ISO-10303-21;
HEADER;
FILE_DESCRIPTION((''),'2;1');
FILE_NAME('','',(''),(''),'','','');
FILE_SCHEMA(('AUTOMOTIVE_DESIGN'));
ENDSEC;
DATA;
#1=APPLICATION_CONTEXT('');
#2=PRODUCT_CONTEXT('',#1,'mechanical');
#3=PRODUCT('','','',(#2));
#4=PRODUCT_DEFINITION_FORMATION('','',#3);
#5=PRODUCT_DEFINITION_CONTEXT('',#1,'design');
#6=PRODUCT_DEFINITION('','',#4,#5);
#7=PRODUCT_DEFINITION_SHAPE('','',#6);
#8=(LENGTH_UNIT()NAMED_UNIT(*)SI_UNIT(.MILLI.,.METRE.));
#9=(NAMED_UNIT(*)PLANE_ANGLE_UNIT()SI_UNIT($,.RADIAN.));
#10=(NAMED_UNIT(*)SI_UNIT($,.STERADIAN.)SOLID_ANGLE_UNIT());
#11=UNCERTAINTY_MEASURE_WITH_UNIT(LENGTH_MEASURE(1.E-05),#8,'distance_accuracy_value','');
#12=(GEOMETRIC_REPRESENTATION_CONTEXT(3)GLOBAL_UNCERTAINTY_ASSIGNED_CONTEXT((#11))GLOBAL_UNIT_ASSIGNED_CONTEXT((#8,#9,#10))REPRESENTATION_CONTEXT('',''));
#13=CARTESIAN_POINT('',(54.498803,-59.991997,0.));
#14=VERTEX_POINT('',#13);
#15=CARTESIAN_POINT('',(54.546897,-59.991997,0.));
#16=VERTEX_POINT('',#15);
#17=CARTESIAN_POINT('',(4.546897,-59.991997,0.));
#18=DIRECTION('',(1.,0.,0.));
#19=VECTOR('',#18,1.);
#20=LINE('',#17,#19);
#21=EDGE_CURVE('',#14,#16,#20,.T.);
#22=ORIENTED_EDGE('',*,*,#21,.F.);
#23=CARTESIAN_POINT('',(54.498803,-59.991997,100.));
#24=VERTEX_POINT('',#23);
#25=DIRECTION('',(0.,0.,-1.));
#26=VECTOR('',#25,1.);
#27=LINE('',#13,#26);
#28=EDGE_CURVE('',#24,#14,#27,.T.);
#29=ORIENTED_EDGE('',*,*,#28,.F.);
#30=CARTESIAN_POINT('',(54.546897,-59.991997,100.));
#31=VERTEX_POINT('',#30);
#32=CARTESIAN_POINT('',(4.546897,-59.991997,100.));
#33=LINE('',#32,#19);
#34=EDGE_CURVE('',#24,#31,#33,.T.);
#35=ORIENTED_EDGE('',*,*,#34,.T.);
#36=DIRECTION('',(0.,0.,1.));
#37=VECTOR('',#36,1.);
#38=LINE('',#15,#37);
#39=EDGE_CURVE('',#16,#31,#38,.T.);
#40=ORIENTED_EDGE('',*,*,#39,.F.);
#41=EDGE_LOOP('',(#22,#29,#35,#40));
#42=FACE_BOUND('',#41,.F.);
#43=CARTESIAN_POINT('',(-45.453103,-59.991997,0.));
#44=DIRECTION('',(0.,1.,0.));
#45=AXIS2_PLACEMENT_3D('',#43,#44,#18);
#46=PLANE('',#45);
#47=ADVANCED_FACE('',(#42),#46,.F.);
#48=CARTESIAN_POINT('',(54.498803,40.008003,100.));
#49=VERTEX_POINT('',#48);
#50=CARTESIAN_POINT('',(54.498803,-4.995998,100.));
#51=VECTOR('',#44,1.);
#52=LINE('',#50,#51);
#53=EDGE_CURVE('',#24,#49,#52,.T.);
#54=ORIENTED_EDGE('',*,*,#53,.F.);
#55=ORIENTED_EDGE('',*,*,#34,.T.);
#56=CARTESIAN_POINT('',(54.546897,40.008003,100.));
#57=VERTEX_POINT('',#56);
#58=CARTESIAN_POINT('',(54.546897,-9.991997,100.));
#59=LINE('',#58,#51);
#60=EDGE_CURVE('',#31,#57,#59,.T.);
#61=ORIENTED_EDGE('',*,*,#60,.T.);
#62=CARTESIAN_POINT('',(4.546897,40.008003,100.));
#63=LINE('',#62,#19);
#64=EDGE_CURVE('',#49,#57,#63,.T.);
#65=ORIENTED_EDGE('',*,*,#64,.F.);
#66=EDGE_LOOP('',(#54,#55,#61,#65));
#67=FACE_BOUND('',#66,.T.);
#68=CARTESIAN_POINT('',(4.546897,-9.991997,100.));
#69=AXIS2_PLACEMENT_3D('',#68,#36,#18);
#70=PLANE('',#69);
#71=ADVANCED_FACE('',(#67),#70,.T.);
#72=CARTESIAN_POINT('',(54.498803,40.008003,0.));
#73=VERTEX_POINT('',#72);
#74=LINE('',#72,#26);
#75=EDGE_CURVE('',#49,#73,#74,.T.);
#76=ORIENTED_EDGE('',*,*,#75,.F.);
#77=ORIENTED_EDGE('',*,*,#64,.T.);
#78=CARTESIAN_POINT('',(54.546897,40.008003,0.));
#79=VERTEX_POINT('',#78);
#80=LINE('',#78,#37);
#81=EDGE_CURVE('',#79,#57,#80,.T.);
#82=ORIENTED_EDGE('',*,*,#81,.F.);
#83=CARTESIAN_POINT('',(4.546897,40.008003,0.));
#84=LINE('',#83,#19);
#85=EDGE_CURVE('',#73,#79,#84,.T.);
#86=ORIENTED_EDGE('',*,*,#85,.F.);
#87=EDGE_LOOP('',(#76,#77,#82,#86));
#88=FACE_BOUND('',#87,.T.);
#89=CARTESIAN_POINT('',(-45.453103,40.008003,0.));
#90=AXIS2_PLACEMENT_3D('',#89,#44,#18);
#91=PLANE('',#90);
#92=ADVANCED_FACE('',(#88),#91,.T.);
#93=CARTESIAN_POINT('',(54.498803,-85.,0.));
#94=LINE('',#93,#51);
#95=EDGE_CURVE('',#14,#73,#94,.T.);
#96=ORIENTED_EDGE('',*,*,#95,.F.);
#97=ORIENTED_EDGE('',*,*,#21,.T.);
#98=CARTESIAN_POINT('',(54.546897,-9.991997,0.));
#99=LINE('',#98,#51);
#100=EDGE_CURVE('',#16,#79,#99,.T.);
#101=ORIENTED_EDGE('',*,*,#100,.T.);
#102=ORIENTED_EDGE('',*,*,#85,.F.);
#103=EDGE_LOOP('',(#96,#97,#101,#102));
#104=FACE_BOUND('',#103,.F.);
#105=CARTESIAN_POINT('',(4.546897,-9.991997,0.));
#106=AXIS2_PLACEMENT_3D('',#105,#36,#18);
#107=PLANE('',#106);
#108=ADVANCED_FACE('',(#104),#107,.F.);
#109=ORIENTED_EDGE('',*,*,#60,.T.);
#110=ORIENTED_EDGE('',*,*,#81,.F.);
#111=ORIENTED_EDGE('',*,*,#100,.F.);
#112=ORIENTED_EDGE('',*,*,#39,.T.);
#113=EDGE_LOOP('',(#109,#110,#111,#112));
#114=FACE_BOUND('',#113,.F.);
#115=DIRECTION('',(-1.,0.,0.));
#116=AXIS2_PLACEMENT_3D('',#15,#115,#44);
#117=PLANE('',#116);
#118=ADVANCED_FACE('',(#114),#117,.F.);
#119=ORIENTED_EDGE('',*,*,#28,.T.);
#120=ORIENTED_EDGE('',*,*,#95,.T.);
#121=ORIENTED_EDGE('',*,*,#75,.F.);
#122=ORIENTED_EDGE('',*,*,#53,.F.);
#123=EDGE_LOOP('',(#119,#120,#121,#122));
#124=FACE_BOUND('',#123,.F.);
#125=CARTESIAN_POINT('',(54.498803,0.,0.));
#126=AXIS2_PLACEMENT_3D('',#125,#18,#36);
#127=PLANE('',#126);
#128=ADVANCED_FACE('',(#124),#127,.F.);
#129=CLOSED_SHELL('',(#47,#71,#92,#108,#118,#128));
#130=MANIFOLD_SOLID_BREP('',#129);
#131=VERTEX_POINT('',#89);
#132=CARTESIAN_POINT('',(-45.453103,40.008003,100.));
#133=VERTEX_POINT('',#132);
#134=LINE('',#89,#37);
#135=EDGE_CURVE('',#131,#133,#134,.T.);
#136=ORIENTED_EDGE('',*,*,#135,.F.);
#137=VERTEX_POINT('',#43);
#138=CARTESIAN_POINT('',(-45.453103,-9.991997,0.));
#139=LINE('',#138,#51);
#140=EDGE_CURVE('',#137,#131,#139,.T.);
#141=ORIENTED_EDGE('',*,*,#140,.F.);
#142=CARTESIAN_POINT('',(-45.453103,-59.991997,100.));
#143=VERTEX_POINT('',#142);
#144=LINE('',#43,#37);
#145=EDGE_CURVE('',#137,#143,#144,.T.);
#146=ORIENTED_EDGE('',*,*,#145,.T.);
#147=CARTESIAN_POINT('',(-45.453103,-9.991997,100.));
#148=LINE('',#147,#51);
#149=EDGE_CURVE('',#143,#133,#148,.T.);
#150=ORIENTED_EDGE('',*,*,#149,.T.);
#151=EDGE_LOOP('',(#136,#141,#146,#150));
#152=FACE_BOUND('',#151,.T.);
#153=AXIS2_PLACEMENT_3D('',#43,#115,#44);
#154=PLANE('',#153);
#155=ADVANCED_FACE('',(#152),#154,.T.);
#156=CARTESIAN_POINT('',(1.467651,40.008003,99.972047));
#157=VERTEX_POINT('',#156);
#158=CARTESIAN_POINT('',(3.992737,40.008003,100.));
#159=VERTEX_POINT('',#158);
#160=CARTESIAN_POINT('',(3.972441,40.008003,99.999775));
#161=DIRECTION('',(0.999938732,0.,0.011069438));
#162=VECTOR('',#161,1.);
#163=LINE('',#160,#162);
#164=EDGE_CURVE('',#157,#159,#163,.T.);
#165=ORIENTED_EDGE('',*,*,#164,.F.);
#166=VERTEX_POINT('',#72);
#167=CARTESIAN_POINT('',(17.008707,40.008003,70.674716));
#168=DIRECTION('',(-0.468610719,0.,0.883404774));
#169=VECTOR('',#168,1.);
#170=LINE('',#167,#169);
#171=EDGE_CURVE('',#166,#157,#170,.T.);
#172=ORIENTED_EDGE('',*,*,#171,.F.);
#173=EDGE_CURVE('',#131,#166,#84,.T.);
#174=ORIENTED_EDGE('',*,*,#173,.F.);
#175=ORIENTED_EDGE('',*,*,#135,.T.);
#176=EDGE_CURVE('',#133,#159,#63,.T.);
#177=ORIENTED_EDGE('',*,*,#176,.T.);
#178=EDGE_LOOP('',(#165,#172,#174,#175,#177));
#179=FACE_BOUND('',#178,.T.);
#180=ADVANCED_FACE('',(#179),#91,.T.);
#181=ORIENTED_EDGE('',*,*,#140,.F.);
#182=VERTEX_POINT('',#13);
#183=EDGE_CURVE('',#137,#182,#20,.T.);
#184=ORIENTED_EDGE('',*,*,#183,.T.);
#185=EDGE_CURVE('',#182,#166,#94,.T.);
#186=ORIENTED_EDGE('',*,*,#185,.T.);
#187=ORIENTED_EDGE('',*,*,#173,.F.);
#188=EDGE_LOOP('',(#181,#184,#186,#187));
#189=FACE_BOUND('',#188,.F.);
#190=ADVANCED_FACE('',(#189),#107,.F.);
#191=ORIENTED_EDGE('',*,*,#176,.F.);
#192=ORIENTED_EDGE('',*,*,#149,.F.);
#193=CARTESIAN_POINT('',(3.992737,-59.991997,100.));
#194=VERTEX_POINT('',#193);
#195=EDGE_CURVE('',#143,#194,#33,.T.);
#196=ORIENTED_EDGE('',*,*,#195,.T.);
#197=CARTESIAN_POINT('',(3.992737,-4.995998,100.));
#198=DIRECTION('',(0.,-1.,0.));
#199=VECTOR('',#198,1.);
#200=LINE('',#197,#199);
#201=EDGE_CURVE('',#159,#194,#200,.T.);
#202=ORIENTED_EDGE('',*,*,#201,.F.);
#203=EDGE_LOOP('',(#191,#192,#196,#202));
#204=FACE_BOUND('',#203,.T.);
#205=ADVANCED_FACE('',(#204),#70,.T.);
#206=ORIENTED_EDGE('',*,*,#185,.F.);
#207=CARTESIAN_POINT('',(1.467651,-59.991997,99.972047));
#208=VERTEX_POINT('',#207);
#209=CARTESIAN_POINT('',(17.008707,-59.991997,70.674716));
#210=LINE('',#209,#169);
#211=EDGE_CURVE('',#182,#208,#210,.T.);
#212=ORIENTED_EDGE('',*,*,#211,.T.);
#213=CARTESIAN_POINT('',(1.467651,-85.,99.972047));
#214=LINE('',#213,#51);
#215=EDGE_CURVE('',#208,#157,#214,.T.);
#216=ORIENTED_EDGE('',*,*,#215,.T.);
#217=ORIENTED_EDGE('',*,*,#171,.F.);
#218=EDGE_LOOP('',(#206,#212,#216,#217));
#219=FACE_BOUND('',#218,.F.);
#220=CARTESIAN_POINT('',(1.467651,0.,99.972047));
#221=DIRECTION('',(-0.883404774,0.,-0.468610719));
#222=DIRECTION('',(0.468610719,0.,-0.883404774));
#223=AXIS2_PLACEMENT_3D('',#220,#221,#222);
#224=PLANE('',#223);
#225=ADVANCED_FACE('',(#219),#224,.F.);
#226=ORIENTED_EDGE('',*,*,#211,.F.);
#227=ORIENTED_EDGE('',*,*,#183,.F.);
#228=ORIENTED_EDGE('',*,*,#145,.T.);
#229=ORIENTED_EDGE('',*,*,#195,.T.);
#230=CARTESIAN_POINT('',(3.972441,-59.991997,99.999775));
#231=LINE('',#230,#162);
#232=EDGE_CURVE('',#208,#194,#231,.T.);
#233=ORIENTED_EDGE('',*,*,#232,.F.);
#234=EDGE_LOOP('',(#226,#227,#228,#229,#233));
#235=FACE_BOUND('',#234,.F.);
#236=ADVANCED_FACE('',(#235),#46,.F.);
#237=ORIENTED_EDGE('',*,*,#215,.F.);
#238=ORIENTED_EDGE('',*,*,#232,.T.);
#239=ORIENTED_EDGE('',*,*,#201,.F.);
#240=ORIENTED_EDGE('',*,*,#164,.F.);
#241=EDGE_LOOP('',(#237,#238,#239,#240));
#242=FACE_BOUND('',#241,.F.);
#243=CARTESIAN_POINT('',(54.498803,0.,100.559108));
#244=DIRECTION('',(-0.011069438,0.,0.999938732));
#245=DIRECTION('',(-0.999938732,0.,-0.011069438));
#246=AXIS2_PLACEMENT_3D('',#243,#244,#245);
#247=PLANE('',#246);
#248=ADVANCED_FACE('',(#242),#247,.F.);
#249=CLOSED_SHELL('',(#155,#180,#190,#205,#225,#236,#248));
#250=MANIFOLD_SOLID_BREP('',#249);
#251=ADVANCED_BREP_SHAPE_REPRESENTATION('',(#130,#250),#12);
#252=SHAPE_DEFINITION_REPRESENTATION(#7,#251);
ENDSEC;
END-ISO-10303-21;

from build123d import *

# Parameters (mm, degrees)
F0_W     = 100
F0_H     = 100
F1_DEPTH = 100
F3_DEPTH = 85


with BuildPart() as f1:
    # F0 (on Top) → F1 (new body)
    with BuildSketch(Plane.XY):
        with Locations((4.546897, -9.991997)):
            Rectangle(F0_W, F0_H)
    extrude(amount=F1_DEPTH)

    # F2 (on Front) → F3 (cut, symmetric)
    with BuildSketch(Plane.XZ):
        Polygon((54.498803, 0), (54.498803, 100.559108), (1.467651, 99.972047), align=None)
    extrude(amount=F3_DEPTH, both=True, mode=Mode.SUBTRACT)


solid = f1.part
